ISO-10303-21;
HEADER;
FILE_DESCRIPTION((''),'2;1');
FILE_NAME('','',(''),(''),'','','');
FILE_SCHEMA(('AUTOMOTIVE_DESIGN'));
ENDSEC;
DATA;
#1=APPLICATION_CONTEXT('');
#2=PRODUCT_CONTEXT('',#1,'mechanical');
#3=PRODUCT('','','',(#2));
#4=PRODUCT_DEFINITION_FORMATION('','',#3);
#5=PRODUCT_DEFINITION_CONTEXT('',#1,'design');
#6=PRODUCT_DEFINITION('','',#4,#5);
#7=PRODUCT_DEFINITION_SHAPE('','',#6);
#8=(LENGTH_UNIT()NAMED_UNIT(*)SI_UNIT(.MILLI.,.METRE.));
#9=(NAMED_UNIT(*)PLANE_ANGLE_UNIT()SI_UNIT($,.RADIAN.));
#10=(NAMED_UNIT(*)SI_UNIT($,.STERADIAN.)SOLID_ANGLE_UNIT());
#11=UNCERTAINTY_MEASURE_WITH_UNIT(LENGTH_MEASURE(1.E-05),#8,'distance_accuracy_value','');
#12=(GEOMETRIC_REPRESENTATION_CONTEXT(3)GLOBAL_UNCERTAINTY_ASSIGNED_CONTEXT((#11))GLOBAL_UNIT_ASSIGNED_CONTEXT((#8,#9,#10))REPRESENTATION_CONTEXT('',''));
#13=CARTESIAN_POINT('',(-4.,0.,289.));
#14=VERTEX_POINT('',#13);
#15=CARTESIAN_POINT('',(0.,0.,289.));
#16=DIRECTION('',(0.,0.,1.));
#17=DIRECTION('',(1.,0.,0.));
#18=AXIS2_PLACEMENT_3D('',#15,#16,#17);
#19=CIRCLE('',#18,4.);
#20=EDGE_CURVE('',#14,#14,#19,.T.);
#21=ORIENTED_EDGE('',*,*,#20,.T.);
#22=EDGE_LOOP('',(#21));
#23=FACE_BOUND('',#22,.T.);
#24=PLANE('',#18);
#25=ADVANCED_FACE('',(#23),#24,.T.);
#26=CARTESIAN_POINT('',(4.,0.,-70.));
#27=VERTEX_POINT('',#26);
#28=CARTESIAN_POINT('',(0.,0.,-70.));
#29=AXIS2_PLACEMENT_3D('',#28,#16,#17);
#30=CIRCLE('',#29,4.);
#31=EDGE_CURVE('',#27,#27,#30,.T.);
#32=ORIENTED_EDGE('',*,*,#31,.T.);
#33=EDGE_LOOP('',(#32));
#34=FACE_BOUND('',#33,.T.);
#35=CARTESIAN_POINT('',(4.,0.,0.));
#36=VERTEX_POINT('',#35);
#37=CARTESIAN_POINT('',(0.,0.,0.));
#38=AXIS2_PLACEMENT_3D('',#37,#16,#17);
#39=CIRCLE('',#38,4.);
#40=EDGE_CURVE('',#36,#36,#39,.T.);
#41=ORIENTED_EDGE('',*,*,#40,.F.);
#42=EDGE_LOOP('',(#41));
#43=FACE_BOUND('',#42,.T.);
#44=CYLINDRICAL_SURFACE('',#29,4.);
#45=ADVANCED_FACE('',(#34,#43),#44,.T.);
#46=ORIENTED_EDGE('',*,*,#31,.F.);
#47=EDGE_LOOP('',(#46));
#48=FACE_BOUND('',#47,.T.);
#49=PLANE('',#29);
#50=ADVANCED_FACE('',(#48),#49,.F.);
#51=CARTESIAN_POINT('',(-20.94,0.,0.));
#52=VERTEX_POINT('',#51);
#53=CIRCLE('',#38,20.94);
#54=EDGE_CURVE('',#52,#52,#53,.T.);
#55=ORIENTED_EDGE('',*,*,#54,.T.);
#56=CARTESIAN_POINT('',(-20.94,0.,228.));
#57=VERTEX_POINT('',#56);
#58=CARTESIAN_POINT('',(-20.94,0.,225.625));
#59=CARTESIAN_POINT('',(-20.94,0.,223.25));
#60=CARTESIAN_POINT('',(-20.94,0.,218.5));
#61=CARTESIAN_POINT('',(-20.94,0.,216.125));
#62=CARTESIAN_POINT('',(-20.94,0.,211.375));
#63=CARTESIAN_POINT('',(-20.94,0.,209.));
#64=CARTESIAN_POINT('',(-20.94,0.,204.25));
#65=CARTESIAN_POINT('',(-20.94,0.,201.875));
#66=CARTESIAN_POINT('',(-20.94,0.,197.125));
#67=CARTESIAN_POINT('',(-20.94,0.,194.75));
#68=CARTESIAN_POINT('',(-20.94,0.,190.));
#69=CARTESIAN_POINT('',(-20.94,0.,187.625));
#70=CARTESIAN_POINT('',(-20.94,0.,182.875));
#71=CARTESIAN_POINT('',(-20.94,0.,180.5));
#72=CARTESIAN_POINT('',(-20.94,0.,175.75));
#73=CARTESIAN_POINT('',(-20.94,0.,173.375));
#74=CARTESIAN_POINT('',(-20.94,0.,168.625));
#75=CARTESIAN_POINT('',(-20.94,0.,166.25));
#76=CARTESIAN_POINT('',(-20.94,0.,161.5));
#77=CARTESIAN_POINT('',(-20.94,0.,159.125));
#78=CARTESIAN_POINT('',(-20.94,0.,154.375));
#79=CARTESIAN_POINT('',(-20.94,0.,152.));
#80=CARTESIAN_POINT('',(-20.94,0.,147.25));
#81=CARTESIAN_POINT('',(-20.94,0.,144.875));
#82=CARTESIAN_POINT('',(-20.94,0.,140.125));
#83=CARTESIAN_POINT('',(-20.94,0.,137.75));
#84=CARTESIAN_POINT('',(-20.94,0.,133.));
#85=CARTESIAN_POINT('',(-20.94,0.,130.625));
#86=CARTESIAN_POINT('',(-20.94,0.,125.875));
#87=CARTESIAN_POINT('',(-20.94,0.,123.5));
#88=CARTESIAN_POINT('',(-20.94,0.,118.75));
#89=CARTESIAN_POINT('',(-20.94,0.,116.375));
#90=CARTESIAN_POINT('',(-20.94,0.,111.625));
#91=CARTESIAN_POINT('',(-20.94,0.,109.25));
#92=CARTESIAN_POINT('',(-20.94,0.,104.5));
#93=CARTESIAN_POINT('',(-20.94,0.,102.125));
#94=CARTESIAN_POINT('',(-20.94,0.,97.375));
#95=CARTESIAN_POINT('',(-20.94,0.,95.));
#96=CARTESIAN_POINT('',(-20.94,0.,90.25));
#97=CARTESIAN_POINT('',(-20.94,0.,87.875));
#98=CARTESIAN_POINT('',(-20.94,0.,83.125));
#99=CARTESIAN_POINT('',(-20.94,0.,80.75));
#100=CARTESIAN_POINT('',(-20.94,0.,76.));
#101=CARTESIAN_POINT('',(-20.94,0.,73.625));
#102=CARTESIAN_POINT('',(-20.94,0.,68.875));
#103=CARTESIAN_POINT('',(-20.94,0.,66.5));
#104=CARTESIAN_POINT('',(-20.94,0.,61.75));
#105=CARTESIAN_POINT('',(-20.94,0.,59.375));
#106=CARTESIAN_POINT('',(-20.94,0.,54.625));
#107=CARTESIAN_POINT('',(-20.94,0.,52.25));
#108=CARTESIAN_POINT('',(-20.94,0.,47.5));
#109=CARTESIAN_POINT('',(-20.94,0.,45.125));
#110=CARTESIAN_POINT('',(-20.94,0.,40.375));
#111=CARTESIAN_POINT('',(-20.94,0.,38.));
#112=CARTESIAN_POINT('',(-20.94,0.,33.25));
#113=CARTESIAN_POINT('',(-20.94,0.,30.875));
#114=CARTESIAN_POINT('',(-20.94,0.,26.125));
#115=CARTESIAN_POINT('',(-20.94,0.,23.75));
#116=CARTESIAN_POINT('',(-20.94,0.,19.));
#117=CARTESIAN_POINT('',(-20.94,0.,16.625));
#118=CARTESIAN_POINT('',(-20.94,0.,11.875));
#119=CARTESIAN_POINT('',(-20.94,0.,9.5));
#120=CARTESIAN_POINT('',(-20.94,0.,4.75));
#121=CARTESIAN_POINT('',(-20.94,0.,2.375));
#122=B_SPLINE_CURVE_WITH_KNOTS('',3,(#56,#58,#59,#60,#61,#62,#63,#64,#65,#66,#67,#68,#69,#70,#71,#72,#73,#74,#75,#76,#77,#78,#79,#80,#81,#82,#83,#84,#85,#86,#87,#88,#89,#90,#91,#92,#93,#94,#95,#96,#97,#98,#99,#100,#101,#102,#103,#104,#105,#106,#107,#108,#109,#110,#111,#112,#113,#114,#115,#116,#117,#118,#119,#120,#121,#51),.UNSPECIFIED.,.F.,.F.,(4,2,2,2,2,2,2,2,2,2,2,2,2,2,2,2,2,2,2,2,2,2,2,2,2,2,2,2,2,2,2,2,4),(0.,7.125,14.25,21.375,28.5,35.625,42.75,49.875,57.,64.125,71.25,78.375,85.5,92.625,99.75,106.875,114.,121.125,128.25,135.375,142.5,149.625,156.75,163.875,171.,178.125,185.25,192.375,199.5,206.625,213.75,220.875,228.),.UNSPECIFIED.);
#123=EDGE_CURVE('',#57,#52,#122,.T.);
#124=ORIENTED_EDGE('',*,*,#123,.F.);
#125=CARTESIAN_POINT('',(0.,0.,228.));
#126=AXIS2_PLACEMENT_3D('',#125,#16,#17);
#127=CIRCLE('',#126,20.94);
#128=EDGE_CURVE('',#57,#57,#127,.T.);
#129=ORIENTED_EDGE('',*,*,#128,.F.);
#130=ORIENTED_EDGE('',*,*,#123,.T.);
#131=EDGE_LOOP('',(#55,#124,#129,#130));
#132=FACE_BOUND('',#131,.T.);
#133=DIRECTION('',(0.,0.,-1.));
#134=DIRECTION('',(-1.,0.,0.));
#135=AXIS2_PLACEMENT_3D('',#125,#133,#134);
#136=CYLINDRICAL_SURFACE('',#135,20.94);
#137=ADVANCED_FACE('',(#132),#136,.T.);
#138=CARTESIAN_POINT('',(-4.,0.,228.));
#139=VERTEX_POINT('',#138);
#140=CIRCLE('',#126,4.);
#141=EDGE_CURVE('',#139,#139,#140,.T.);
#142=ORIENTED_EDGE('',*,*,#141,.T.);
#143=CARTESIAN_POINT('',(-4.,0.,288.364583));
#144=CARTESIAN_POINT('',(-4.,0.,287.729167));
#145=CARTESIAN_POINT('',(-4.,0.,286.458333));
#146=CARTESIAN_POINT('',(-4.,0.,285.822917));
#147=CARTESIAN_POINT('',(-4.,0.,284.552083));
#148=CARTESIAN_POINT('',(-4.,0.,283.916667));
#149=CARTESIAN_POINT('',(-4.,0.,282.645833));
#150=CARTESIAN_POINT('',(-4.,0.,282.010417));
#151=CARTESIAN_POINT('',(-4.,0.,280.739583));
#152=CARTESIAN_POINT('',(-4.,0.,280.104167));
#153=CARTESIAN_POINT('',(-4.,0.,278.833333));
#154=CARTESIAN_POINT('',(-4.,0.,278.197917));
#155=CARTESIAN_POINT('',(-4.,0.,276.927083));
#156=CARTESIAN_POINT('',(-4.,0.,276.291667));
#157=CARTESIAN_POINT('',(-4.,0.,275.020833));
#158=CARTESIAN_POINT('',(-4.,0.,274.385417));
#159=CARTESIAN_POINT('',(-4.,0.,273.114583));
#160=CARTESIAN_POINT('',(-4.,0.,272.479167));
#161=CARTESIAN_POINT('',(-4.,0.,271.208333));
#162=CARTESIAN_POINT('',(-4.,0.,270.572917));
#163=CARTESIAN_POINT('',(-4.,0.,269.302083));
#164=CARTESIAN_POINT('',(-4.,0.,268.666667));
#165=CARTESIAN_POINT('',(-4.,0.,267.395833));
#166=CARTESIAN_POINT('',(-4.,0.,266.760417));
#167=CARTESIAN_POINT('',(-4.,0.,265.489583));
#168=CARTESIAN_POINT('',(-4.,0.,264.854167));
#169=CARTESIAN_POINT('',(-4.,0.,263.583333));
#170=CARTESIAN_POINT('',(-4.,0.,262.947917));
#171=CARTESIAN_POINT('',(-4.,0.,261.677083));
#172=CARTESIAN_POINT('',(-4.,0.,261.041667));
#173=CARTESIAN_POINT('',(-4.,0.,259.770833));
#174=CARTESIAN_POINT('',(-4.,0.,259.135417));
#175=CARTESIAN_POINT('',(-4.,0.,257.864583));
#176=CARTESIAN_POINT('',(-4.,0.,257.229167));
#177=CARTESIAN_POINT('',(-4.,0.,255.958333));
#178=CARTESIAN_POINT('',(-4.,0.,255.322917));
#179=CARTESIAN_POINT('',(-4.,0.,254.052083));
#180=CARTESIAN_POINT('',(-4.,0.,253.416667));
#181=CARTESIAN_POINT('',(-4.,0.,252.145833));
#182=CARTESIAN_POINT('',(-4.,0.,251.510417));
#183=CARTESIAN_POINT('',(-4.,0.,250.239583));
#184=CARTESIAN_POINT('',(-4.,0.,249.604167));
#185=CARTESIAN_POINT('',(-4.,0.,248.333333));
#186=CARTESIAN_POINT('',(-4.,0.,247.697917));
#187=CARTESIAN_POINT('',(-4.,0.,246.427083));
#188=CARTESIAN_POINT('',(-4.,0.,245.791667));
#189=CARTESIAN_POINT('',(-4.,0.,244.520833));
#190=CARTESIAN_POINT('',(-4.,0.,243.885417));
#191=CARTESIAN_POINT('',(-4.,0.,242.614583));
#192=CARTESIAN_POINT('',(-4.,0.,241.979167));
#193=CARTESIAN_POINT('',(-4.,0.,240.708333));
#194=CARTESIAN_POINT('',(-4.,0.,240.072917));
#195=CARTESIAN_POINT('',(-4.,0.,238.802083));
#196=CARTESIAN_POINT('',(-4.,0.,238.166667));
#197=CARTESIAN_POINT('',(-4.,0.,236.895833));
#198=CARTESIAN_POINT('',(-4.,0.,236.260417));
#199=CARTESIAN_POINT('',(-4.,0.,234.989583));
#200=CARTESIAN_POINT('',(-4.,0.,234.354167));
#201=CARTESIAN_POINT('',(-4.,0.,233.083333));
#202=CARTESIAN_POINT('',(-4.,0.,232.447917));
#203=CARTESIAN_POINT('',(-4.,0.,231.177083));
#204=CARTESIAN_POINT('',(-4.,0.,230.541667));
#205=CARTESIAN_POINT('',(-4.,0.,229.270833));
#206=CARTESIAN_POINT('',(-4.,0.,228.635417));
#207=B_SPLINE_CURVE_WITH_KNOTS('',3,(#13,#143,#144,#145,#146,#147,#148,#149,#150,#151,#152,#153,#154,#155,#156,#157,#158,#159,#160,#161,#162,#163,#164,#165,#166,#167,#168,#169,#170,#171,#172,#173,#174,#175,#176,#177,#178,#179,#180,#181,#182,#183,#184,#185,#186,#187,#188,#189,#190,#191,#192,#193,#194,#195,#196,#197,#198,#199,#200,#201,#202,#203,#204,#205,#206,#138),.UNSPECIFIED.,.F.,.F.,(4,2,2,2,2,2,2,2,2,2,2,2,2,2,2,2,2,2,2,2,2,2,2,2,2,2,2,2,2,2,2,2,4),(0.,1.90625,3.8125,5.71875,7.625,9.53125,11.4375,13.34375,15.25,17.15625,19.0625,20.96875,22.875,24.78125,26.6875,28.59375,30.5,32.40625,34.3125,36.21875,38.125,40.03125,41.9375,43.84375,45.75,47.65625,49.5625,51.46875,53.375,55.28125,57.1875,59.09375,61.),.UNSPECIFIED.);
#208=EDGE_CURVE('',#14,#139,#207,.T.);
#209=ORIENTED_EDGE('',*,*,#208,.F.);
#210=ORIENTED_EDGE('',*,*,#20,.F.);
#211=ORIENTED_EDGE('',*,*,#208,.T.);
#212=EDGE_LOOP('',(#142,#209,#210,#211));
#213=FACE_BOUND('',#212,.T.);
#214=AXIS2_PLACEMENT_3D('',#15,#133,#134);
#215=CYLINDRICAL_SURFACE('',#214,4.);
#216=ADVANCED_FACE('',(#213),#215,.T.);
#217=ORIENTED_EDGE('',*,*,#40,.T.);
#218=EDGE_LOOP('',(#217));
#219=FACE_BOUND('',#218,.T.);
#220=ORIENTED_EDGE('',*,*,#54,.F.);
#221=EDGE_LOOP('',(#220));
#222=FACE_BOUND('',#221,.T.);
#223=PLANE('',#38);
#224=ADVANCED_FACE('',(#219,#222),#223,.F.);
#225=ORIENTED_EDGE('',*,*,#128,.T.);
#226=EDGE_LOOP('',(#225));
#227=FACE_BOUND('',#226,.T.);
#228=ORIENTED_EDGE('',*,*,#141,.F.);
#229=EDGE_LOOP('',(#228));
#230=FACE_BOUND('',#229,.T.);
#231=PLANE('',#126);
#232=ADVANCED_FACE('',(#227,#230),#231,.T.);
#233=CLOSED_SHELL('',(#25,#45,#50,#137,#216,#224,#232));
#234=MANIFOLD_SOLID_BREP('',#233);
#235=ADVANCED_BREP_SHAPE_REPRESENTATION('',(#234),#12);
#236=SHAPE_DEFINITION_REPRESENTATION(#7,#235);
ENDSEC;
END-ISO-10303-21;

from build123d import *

# Parameters (mm, degrees)
SKETCH1_R           = 20.94
SKETCH1_R_2         = 4
SKETCH1_R_3         = 3.95
BOSS_EXTRUDE1_DEPTH = 228
SKETCH1_3_R         = 4
BOSS_EXTRUDE2_DEPTH = 70
BOSS_EXTRUDE4_START = 289
SKETCH1_5_R         = 4
SKETCH1_5_R_2       = 3.95
BOSS_EXTRUDE4_DEPTH = 61


with BuildPart() as part:
    # Sketch1 → Boss-Extrude1 (new body)
    # profile 1 of 3: a face of its own
    with BuildSketch(Plane.XY):
        with Locations(Location((0, 0, 0), (0, 0, 180))):
            Circle(SKETCH1_R)
        Circle(SKETCH1_R_2, mode=Mode.SUBTRACT)
    # profile 2 of 3: a face of its own
    with BuildSketch(Plane.XY):
        Circle(SKETCH1_R_2)
        Circle(SKETCH1_R_3, mode=Mode.SUBTRACT)
    # profile 3 of 3: a face of its own
    with BuildSketch(Plane.XY):
        Circle(SKETCH1_R_3)
    extrude(amount=BOSS_EXTRUDE1_DEPTH)

    # Sketch1<3> → Boss-Extrude2 (add)
    with BuildSketch(Plane.XY):
        Circle(SKETCH1_3_R)
    extrude(amount=-BOSS_EXTRUDE2_DEPTH)

    # Sketch1<5> → Boss-Extrude4 (add)
    # profile 1 of 2: a face of its own
    with BuildSketch(Plane.XY.offset(BOSS_EXTRUDE4_START)):
        Circle(SKETCH1_5_R)
        Circle(SKETCH1_5_R_2, mode=Mode.SUBTRACT)
    # profile 2 of 2: a face of its own
    with BuildSketch(Plane.XY.offset(BOSS_EXTRUDE4_START)):
        Circle(SKETCH1_5_R_2)
    extrude(amount=-BOSS_EXTRUDE4_DEPTH)


solid = part.part
